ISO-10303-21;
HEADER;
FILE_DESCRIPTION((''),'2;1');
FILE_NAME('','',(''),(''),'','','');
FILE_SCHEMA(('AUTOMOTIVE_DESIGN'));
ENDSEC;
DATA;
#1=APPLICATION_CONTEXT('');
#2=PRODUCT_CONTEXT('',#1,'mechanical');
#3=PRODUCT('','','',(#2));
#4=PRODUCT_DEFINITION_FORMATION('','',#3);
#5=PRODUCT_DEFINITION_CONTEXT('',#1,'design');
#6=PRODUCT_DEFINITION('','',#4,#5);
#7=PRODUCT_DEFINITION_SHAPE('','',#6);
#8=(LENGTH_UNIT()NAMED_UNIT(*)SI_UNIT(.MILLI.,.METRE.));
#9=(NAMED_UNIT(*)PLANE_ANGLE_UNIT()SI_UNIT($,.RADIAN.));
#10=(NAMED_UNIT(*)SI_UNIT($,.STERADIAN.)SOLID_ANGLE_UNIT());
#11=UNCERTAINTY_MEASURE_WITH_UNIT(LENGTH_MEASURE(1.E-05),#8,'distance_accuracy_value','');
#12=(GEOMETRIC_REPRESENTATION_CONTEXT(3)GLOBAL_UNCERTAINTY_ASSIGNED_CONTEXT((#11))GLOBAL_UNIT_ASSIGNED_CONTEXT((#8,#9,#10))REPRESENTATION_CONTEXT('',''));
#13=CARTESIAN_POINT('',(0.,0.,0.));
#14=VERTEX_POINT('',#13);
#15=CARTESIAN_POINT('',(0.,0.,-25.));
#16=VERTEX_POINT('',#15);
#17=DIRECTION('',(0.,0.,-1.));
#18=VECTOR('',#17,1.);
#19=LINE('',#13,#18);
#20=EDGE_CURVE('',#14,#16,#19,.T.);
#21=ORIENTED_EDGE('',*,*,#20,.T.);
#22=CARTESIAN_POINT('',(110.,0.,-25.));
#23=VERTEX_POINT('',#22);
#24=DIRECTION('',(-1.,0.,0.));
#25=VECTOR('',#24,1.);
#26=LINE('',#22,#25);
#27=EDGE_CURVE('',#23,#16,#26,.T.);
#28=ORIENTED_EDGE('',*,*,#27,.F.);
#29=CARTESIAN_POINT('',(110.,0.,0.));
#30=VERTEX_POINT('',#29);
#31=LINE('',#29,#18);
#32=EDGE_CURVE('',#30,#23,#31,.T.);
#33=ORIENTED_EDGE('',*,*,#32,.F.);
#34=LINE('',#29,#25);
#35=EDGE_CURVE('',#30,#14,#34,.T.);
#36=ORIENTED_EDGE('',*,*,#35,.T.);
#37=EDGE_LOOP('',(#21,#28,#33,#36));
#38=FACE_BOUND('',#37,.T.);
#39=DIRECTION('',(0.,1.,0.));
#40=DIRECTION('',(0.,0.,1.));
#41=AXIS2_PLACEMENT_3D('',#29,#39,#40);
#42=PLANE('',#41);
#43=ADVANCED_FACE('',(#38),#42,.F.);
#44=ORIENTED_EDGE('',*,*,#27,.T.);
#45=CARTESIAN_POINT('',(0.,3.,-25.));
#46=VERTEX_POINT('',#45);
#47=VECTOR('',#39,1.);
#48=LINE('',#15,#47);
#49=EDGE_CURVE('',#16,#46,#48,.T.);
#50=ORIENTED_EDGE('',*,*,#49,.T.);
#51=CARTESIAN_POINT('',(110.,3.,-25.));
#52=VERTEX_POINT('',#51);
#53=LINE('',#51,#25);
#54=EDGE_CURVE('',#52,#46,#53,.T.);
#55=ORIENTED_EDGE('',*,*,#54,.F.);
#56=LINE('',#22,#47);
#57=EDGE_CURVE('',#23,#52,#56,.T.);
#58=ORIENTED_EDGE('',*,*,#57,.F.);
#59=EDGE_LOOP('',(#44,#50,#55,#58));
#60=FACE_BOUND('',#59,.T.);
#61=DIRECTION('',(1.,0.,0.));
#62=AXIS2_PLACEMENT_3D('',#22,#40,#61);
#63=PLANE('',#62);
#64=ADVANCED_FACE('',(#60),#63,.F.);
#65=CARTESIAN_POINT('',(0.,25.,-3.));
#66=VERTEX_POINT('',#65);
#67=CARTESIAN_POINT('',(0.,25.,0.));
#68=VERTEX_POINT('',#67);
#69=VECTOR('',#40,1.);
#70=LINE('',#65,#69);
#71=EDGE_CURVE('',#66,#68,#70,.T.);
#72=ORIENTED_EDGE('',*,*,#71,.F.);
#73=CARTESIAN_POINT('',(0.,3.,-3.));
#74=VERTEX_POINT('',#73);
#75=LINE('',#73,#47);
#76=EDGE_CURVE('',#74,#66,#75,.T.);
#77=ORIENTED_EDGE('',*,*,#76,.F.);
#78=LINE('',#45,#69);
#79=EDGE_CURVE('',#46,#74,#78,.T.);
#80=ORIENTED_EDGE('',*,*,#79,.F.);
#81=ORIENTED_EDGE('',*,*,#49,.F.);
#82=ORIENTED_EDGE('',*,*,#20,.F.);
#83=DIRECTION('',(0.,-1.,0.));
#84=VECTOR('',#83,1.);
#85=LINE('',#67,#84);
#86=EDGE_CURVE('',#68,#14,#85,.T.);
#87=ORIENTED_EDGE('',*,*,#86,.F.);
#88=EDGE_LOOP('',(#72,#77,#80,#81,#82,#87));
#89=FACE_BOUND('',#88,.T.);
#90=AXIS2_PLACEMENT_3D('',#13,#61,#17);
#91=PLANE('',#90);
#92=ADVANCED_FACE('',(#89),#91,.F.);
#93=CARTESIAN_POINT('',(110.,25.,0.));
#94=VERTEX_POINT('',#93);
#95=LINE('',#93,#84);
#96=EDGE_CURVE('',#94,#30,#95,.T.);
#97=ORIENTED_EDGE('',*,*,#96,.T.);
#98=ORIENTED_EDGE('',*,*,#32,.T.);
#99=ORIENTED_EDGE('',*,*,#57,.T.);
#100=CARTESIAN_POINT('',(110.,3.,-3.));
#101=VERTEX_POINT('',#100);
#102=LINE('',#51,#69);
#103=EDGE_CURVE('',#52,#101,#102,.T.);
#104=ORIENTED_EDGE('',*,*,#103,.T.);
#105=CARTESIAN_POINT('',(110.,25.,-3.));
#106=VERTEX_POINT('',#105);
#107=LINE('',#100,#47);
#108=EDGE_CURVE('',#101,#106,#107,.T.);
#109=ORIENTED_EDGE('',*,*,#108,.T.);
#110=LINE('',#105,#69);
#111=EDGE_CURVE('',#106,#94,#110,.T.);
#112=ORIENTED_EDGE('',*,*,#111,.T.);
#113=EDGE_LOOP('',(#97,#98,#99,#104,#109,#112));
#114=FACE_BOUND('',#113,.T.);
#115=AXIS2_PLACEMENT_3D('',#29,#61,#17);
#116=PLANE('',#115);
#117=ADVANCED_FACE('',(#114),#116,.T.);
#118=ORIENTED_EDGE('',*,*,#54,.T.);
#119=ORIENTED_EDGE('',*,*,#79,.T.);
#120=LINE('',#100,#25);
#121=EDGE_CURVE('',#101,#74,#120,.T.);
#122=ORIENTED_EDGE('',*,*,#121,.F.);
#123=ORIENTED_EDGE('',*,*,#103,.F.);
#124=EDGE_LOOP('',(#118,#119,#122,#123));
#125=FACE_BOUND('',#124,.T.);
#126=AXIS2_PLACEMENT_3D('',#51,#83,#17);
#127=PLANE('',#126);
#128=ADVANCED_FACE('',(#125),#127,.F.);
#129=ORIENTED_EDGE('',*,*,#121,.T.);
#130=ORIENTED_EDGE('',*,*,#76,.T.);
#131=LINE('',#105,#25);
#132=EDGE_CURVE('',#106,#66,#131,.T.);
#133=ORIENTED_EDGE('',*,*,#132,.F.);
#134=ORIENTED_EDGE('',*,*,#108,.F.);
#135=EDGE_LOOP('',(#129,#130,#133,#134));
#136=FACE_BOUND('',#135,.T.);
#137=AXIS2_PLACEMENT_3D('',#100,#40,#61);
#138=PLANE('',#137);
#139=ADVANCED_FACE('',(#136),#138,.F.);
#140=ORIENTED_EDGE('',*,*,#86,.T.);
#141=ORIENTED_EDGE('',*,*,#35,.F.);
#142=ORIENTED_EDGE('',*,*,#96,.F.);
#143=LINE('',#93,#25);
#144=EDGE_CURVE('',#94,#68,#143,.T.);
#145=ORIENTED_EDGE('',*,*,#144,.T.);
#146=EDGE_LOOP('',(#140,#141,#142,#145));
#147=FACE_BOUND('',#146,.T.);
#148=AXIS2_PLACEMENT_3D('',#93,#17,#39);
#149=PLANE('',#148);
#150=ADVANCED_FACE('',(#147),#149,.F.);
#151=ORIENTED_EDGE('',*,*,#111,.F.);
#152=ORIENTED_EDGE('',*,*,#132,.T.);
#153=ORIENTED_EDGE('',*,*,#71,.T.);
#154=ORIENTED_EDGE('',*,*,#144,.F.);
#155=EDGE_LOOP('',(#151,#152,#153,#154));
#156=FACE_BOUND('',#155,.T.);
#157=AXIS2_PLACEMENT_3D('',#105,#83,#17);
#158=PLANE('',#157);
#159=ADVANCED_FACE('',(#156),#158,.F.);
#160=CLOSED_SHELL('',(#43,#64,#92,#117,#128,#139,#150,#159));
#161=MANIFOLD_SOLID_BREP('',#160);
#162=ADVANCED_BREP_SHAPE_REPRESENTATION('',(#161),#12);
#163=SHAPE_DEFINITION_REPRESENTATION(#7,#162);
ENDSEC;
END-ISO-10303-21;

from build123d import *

# Parameters (mm, degrees)
EXTRUDE_1_DEPTH = 110


with BuildPart() as part:
    # Эскиз1 → Бобышка-Вытянуть1 (new body)
    with BuildSketch(Plane(origin=(0, 0, 0), x_dir=(0, 0, -1), z_dir=(1, 0, 0))):
        Polygon((0, 25), (0, 0), (25, 0), (25, 3), (3, 3), (3, 25), align=None)
    extrude(amount=EXTRUDE_1_DEPTH)


solid = part.part
